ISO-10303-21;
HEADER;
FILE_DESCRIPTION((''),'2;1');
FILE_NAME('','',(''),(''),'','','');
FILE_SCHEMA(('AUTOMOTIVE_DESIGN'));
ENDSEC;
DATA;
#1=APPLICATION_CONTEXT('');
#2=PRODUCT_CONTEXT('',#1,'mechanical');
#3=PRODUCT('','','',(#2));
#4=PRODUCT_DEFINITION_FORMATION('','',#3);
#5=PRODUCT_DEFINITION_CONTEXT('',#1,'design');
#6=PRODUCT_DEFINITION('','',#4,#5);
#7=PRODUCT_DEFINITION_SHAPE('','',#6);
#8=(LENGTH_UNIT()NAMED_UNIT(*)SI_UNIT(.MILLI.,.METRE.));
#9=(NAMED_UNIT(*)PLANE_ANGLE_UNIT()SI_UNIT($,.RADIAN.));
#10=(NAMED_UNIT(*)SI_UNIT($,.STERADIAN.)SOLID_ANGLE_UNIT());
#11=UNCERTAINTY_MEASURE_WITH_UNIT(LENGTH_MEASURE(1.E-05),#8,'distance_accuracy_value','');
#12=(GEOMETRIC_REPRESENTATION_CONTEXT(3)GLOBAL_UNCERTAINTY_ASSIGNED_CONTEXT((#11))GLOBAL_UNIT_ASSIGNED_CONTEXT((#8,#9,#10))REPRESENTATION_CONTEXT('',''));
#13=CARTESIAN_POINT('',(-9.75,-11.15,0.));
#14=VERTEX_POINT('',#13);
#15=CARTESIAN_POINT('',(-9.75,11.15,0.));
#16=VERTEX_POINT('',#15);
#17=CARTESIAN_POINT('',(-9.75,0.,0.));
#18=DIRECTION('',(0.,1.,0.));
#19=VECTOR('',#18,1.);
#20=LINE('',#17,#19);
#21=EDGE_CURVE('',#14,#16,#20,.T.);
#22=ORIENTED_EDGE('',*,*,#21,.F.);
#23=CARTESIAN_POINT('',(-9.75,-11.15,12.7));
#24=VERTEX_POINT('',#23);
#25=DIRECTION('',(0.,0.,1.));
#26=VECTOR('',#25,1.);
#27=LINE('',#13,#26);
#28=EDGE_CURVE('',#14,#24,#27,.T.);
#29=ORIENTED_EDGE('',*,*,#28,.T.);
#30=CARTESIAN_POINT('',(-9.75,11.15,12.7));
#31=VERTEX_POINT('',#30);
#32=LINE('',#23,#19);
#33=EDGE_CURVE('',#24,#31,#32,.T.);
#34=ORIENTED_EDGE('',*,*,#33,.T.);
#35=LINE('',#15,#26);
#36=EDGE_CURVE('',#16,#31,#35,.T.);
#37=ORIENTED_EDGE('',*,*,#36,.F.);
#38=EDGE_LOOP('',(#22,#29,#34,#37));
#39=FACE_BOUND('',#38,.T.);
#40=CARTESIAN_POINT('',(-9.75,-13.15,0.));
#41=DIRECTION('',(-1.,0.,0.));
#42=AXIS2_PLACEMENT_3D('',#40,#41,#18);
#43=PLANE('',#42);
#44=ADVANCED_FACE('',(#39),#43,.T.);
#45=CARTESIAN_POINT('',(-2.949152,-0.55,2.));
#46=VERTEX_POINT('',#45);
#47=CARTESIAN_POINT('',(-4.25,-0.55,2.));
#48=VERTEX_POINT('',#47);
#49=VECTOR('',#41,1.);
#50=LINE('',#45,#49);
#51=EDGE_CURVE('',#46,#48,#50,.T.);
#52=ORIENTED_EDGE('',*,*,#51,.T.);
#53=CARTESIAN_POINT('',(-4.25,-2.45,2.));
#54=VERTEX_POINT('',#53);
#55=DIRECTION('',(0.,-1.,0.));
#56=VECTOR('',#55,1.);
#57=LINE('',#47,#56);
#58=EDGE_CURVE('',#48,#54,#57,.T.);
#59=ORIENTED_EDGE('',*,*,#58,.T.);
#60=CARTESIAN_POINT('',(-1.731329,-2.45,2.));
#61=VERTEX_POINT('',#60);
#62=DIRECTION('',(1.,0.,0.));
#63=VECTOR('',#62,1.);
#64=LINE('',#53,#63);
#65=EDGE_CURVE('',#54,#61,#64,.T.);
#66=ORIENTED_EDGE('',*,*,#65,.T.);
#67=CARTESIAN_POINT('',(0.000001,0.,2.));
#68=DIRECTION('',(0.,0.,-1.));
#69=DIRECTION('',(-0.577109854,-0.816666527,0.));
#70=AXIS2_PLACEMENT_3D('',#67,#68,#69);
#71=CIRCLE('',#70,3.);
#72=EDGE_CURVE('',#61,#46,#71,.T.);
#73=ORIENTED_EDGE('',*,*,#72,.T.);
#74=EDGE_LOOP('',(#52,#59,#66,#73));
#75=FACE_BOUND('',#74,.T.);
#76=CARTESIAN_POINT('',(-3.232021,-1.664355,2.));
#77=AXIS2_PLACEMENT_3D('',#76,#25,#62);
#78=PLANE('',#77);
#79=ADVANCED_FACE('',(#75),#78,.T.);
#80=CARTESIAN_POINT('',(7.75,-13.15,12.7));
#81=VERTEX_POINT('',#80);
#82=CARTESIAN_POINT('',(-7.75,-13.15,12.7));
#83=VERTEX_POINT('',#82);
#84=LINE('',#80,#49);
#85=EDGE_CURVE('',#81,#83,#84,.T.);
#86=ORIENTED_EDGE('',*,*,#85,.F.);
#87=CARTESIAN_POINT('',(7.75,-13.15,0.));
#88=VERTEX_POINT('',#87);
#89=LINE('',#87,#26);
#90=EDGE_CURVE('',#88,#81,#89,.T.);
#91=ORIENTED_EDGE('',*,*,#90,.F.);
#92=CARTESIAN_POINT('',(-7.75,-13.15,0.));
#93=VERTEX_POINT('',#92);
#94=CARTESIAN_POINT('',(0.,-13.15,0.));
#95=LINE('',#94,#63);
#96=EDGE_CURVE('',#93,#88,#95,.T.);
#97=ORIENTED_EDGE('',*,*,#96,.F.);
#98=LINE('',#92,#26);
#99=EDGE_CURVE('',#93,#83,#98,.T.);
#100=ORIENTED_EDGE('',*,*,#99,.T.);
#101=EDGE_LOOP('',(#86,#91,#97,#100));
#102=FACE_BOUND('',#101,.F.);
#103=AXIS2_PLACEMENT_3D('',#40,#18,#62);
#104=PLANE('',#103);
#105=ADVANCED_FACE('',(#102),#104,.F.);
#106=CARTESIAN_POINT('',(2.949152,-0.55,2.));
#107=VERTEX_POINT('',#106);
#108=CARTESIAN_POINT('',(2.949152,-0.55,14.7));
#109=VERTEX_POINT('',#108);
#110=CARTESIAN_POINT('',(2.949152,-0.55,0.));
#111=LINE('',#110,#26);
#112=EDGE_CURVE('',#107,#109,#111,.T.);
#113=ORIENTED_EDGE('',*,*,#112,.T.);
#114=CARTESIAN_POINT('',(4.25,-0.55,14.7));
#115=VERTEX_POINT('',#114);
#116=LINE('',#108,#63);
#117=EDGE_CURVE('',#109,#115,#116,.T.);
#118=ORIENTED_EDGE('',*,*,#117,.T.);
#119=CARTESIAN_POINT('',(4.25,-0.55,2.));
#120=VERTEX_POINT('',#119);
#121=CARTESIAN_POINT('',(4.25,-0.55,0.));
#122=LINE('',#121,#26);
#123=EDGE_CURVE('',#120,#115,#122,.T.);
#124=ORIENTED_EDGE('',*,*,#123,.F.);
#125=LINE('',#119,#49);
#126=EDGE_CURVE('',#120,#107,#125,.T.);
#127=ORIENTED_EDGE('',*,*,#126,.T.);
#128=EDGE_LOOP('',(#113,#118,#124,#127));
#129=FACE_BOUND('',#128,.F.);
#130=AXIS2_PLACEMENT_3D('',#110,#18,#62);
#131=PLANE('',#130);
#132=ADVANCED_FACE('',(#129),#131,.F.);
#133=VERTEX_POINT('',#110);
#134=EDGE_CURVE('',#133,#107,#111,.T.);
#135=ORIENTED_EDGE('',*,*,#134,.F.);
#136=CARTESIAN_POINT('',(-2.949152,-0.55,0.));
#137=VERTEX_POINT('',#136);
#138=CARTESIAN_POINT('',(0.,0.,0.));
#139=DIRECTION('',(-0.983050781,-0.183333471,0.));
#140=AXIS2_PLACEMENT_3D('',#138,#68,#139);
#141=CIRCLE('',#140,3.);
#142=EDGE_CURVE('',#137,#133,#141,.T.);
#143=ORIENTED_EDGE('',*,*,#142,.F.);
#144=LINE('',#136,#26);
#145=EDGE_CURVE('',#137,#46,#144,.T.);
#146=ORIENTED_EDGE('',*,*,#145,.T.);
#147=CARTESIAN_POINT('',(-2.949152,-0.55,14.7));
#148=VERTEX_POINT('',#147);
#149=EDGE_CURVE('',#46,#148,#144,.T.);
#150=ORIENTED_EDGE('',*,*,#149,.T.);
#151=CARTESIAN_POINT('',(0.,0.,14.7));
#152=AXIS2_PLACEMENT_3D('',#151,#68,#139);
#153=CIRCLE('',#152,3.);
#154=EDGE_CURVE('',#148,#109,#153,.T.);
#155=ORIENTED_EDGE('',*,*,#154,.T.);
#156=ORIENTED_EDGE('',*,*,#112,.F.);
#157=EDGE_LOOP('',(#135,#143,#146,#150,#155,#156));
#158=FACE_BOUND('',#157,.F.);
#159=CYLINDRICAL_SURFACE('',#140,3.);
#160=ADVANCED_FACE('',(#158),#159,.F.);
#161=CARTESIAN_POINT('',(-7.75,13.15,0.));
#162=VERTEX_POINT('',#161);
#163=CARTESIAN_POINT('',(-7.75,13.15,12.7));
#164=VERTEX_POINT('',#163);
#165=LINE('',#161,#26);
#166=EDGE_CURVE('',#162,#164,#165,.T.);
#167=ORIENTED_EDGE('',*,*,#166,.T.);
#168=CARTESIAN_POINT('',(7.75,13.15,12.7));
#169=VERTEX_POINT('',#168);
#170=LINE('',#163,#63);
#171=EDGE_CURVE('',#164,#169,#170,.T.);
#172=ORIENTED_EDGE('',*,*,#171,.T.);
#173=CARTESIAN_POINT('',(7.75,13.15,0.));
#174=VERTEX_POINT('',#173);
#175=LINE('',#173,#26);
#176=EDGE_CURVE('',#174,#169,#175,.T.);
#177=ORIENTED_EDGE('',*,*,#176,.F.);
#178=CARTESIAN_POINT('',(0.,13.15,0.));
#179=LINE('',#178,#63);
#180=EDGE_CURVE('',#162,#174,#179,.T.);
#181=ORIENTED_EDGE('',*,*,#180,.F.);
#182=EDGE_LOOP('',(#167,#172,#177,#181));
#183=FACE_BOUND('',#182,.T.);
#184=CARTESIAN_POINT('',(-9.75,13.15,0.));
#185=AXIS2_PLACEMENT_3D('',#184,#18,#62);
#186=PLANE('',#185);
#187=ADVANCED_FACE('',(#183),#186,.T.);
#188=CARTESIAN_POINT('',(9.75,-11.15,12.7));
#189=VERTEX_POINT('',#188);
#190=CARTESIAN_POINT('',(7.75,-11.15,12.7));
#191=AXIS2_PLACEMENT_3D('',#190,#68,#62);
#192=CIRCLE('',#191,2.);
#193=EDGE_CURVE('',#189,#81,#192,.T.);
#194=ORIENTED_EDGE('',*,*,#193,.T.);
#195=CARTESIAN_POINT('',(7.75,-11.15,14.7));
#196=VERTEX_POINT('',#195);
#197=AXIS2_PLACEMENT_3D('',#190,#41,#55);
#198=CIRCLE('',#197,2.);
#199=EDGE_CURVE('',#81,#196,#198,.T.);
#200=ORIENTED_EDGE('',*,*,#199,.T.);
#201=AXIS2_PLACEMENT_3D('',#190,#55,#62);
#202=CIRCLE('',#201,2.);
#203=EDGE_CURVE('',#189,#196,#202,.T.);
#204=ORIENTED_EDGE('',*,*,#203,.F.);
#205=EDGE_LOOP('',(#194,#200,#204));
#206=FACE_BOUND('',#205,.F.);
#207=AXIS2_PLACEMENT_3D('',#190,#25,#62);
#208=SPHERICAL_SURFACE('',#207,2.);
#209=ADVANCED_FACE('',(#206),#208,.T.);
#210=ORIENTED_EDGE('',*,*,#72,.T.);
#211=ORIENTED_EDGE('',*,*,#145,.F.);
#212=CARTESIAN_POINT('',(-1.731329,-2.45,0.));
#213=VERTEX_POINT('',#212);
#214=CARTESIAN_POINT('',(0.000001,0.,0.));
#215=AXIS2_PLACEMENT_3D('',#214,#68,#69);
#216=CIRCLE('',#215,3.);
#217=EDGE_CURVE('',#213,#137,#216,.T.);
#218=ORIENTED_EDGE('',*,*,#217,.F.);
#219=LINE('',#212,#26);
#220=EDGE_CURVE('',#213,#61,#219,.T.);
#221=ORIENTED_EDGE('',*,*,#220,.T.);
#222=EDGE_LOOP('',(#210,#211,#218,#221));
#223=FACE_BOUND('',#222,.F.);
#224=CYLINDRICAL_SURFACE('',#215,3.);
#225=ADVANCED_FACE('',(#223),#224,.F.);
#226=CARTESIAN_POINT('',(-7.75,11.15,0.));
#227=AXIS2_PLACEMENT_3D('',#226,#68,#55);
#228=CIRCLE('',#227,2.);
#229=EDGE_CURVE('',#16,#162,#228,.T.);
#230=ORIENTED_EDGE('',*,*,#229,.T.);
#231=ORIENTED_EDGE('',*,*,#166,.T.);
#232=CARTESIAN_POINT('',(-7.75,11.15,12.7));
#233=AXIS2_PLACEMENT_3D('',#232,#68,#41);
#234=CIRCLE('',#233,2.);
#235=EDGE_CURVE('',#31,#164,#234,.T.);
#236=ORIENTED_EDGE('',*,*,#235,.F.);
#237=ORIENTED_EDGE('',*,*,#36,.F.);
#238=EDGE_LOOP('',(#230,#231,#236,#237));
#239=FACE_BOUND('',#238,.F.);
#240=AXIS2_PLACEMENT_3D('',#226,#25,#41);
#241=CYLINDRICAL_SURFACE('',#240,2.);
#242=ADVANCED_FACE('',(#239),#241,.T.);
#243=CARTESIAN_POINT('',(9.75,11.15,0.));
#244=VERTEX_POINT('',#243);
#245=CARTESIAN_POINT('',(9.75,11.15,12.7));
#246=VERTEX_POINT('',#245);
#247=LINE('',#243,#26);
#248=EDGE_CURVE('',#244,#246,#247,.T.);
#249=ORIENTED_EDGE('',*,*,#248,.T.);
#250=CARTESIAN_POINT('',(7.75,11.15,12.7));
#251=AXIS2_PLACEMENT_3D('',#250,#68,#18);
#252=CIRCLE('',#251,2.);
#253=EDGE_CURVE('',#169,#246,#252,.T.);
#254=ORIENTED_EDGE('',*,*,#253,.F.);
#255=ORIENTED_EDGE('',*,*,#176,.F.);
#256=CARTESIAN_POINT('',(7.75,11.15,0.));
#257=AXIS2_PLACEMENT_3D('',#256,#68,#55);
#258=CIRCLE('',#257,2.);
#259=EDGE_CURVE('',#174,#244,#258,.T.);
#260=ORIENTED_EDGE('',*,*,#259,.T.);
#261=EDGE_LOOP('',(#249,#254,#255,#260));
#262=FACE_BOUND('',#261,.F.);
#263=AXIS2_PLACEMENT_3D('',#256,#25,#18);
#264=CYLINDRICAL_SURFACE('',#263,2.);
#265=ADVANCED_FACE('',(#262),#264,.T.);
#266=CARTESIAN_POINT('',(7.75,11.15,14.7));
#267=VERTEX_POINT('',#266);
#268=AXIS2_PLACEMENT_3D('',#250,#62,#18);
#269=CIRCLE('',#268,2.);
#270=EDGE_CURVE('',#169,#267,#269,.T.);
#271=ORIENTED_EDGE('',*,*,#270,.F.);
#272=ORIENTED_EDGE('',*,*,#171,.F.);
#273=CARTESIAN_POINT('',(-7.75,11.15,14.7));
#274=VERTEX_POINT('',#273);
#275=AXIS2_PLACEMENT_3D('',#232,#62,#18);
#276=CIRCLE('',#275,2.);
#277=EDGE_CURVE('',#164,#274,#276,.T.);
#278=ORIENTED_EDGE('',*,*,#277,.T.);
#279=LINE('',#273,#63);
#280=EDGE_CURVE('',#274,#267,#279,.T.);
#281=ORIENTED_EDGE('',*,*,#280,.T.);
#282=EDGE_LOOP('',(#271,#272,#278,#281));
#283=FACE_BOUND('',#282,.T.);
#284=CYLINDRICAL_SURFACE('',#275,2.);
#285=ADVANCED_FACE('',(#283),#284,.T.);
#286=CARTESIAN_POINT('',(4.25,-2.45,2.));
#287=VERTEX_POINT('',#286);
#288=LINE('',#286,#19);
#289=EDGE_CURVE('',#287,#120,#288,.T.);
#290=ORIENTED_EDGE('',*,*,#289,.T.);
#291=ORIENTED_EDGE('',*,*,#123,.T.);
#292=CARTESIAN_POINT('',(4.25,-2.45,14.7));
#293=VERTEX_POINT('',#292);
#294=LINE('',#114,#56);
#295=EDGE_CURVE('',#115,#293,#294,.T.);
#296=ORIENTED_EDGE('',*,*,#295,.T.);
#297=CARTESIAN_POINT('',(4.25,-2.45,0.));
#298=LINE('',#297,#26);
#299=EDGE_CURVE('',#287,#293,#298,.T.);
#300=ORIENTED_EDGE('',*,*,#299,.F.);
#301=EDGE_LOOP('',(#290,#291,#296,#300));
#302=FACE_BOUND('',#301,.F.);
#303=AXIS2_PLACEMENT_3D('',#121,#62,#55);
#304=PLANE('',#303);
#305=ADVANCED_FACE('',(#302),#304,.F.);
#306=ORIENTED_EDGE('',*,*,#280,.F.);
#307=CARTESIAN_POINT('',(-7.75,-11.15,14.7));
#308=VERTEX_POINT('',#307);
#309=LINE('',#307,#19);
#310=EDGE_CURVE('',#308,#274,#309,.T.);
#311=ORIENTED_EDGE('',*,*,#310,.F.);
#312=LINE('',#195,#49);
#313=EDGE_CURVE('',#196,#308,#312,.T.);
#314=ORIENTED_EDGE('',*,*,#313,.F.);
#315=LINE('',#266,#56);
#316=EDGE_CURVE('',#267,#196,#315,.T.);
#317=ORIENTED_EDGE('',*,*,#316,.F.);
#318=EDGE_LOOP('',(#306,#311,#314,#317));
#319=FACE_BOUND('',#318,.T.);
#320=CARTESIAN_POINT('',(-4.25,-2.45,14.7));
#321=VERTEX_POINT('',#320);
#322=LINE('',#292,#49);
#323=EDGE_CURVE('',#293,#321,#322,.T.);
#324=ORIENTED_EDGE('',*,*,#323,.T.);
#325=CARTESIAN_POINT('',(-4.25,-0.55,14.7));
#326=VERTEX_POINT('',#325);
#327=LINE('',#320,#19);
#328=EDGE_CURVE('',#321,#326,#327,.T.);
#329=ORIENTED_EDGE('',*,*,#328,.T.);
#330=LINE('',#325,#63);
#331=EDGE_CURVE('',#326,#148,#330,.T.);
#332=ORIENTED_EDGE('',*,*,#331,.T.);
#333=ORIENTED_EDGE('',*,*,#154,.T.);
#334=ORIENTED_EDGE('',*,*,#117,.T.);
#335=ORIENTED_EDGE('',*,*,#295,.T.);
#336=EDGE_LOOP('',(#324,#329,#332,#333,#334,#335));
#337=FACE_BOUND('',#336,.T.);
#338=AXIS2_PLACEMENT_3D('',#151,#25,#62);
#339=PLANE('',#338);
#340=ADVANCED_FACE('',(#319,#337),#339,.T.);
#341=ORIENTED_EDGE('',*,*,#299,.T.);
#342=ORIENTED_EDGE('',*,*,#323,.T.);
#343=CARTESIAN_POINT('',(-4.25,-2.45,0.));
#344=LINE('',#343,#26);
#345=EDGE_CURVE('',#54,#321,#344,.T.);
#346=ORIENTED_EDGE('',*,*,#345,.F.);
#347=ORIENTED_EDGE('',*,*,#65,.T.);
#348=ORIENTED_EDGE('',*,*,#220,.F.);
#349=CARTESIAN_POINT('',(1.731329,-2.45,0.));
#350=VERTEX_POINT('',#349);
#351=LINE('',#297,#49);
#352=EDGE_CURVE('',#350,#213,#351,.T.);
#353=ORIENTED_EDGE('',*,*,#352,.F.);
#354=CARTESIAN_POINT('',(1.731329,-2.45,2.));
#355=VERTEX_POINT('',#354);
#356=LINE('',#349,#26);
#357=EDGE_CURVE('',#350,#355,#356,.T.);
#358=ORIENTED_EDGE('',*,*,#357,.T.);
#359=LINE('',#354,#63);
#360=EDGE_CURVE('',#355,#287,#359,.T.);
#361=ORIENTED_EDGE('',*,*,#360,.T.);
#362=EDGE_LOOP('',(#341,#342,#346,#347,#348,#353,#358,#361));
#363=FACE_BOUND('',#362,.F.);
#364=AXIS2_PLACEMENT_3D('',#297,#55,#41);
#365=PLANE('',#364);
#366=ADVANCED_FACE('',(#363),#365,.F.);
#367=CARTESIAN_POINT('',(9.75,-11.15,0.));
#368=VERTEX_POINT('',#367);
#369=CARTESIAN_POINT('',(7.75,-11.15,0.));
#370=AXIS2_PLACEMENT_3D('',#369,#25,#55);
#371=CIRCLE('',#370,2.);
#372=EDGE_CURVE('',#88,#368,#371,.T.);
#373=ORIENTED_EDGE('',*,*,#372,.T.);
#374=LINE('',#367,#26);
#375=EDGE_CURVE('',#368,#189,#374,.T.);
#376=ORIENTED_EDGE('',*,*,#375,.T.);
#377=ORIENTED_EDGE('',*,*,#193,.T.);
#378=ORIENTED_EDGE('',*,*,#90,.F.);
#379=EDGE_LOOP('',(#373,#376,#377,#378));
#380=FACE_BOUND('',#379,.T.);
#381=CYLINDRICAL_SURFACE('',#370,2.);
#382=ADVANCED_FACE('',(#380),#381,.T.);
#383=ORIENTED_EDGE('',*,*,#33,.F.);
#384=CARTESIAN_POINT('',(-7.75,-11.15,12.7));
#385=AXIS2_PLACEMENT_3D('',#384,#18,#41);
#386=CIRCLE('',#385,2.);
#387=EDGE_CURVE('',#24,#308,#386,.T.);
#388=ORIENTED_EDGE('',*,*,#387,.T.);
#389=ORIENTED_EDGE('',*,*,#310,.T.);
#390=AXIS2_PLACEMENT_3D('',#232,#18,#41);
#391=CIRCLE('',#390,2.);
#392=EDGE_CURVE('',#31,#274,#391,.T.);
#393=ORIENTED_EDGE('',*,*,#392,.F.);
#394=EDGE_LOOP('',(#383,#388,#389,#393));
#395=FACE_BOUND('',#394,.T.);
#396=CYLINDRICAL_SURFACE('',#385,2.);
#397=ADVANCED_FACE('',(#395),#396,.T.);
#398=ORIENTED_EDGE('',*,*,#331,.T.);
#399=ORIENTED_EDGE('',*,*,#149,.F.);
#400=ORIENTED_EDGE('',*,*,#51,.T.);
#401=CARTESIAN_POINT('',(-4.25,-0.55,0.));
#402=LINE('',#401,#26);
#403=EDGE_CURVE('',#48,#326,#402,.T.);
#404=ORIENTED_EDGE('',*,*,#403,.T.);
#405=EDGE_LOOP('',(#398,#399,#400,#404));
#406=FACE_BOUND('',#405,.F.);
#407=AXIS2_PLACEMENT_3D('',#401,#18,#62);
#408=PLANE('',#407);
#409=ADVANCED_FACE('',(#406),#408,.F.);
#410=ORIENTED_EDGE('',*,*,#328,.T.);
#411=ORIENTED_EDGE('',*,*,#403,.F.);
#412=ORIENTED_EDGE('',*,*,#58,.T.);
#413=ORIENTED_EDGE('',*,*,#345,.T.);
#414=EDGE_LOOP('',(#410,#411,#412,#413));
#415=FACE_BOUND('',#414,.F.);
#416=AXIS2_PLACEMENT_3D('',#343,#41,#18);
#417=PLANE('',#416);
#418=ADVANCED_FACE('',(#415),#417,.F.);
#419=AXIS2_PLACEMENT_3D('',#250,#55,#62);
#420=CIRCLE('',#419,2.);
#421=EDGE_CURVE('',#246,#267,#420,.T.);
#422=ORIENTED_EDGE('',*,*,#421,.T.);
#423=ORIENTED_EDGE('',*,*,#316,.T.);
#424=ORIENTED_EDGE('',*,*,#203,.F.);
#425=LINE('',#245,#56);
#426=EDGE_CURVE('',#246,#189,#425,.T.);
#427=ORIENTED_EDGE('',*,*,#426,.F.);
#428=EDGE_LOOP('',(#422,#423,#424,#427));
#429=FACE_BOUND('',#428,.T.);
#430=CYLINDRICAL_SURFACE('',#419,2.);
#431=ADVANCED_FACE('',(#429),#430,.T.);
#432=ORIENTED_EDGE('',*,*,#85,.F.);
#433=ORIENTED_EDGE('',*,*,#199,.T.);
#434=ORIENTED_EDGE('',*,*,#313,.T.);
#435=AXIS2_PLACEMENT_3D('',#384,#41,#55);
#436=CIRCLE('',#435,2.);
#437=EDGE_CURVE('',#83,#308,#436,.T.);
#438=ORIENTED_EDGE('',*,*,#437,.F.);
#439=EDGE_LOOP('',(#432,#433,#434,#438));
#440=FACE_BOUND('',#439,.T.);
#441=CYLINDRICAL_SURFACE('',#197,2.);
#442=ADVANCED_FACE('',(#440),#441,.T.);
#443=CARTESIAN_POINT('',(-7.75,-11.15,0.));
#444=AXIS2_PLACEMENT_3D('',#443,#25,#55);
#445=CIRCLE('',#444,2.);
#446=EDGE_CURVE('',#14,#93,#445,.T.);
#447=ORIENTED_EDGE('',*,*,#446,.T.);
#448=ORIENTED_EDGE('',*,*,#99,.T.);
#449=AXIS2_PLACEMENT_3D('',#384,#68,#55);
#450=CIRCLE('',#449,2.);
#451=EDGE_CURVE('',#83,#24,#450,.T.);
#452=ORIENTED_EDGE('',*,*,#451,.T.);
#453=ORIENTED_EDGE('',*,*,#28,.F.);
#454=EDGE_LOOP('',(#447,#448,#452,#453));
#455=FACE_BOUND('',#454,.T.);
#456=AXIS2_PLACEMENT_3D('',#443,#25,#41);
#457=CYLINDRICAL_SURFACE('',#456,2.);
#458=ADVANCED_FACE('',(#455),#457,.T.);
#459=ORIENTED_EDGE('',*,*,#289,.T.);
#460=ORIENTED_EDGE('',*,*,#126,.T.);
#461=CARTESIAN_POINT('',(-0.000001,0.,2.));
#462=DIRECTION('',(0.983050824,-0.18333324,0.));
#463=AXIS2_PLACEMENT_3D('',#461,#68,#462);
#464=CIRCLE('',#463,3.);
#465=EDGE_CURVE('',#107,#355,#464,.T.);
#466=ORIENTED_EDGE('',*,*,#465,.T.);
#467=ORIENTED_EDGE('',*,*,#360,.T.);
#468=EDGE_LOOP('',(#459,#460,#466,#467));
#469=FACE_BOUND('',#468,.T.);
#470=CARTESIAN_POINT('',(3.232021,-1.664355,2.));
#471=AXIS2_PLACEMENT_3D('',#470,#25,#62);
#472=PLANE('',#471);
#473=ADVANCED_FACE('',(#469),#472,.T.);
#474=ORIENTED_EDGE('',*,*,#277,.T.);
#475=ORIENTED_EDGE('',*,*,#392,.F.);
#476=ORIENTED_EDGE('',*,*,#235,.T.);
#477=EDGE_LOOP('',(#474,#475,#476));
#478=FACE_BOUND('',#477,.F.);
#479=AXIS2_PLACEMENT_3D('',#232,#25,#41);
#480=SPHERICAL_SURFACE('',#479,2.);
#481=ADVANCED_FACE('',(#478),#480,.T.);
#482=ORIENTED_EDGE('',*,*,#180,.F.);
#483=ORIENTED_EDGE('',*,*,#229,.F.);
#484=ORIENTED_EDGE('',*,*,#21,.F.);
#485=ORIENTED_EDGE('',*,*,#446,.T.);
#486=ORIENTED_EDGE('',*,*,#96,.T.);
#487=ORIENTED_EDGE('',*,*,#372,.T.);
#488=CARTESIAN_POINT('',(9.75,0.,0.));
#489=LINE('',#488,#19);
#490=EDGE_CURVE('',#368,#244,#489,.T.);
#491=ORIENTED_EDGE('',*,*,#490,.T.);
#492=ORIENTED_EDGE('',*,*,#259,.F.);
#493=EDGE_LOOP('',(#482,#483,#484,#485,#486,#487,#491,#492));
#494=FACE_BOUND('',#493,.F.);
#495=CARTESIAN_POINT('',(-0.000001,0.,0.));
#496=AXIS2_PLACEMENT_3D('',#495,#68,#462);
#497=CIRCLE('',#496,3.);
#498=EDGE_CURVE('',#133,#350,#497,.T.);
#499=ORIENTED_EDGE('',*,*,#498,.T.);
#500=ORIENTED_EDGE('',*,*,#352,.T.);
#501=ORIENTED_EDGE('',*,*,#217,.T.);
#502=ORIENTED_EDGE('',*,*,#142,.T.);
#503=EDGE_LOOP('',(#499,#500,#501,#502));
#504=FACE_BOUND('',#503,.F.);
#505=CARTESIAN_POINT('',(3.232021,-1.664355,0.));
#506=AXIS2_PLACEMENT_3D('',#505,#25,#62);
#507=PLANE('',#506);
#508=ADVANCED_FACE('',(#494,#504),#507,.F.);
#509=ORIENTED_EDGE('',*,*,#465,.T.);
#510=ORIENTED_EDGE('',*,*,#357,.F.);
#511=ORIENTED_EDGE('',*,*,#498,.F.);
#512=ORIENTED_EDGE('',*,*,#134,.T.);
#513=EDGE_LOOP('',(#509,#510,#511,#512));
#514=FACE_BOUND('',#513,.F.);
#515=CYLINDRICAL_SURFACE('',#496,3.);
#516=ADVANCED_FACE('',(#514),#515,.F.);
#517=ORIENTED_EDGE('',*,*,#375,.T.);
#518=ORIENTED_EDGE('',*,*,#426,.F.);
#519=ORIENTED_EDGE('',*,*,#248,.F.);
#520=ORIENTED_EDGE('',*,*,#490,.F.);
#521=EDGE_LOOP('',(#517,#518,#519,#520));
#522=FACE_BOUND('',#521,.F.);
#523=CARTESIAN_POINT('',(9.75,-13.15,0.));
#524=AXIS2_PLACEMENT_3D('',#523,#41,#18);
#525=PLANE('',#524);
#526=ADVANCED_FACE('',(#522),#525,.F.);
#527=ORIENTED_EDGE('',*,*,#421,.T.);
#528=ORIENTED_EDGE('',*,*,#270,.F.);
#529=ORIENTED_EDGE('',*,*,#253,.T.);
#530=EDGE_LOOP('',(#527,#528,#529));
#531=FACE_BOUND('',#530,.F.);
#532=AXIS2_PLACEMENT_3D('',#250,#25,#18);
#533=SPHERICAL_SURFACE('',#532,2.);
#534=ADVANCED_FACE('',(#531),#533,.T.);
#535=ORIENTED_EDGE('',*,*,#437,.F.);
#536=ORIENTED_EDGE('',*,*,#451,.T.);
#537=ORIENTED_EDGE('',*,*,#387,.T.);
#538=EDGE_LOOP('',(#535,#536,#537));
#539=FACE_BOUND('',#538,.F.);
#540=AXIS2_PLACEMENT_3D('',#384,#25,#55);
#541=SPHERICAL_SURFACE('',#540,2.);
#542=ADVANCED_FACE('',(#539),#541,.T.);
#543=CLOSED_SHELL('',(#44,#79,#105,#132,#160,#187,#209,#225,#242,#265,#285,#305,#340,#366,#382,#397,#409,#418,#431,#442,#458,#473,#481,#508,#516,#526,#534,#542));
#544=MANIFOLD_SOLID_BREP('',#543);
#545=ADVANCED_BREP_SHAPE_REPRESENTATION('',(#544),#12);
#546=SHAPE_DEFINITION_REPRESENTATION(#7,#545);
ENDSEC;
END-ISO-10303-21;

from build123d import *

# Parameters (mm, degrees)
F0_W     = 19.5
F0_H     = 26.3
F1_DEPTH = 14.7
F2_R     = 2
F3_R     = 2
F4_DEPTH = 2


with BuildPart() as f1:
    # F0 (on Top) → F1 (new body)
    with BuildSketch(Plane.XY):
        Rectangle(F0_W, F0_H)
        with BuildLine():
            ThreePointArc((-2.949152, -0.55), (0, 3), (2.949152, -0.55))
            Line((2.949152, -0.55), (4.25, -0.55))
            Line((4.25, -0.55), (4.25, -2.45))
            Line((4.25, -2.45), (1.731329, -2.45))
            Line((1.731329, -2.45), (0, -2.45))
            Line((0, -2.45), (-1.731329, -2.45))
            Line((-1.731329, -2.45), (-4.25, -2.45))
            Line((-4.25, -2.45), (-4.25, -0.55))
            Line((-4.25, -0.55), (-2.949152, -0.55))
        make_face(mode=Mode.SUBTRACT)
    extrude(amount=F1_DEPTH)

    # F2
    f2_edges = [f1.edges().sort_by_distance(p)[0] for p in [
        (-9.75, 13.15, 7.35),
        (-9.75, -13.15, 7.35),
        (9.75, -13.15, 7.35),
        (9.75, 13.15, 7.35),
    ]]
    fillet(f2_edges, radius=F2_R)

    # F3
    f3_edges = [f1.edges().sort_by_distance(p)[0] for p in [
        (-9.75, 0, 14.7),
    ]]
    fillet(f3_edges, radius=F3_R)

    # F0 (on Top) → F4 (join)
    with BuildSketch(Plane.XY):
        with BuildLine():
            Line((4.25, -0.55), (2.949152, -0.55))
            ThreePointArc((2.949152, -0.55), (2.525713, -1.61888), (1.731329, -2.45))
            Line((1.731329, -2.45), (4.25, -2.45))
            Line((4.25, -2.45), (4.25, -0.55))
        make_face()
        with BuildLine():
            ThreePointArc((-1.731329, -2.45), (-2.525713, -1.61888), (-2.949152, -0.55))
            Line((-2.949152, -0.55), (-4.25, -0.55))
            Line((-4.25, -0.55), (-4.25, -2.45))
            Line((-4.25, -2.45), (-1.731329, -2.45))
        make_face()
    extrude(amount=F4_DEPTH)


solid = f1.part
